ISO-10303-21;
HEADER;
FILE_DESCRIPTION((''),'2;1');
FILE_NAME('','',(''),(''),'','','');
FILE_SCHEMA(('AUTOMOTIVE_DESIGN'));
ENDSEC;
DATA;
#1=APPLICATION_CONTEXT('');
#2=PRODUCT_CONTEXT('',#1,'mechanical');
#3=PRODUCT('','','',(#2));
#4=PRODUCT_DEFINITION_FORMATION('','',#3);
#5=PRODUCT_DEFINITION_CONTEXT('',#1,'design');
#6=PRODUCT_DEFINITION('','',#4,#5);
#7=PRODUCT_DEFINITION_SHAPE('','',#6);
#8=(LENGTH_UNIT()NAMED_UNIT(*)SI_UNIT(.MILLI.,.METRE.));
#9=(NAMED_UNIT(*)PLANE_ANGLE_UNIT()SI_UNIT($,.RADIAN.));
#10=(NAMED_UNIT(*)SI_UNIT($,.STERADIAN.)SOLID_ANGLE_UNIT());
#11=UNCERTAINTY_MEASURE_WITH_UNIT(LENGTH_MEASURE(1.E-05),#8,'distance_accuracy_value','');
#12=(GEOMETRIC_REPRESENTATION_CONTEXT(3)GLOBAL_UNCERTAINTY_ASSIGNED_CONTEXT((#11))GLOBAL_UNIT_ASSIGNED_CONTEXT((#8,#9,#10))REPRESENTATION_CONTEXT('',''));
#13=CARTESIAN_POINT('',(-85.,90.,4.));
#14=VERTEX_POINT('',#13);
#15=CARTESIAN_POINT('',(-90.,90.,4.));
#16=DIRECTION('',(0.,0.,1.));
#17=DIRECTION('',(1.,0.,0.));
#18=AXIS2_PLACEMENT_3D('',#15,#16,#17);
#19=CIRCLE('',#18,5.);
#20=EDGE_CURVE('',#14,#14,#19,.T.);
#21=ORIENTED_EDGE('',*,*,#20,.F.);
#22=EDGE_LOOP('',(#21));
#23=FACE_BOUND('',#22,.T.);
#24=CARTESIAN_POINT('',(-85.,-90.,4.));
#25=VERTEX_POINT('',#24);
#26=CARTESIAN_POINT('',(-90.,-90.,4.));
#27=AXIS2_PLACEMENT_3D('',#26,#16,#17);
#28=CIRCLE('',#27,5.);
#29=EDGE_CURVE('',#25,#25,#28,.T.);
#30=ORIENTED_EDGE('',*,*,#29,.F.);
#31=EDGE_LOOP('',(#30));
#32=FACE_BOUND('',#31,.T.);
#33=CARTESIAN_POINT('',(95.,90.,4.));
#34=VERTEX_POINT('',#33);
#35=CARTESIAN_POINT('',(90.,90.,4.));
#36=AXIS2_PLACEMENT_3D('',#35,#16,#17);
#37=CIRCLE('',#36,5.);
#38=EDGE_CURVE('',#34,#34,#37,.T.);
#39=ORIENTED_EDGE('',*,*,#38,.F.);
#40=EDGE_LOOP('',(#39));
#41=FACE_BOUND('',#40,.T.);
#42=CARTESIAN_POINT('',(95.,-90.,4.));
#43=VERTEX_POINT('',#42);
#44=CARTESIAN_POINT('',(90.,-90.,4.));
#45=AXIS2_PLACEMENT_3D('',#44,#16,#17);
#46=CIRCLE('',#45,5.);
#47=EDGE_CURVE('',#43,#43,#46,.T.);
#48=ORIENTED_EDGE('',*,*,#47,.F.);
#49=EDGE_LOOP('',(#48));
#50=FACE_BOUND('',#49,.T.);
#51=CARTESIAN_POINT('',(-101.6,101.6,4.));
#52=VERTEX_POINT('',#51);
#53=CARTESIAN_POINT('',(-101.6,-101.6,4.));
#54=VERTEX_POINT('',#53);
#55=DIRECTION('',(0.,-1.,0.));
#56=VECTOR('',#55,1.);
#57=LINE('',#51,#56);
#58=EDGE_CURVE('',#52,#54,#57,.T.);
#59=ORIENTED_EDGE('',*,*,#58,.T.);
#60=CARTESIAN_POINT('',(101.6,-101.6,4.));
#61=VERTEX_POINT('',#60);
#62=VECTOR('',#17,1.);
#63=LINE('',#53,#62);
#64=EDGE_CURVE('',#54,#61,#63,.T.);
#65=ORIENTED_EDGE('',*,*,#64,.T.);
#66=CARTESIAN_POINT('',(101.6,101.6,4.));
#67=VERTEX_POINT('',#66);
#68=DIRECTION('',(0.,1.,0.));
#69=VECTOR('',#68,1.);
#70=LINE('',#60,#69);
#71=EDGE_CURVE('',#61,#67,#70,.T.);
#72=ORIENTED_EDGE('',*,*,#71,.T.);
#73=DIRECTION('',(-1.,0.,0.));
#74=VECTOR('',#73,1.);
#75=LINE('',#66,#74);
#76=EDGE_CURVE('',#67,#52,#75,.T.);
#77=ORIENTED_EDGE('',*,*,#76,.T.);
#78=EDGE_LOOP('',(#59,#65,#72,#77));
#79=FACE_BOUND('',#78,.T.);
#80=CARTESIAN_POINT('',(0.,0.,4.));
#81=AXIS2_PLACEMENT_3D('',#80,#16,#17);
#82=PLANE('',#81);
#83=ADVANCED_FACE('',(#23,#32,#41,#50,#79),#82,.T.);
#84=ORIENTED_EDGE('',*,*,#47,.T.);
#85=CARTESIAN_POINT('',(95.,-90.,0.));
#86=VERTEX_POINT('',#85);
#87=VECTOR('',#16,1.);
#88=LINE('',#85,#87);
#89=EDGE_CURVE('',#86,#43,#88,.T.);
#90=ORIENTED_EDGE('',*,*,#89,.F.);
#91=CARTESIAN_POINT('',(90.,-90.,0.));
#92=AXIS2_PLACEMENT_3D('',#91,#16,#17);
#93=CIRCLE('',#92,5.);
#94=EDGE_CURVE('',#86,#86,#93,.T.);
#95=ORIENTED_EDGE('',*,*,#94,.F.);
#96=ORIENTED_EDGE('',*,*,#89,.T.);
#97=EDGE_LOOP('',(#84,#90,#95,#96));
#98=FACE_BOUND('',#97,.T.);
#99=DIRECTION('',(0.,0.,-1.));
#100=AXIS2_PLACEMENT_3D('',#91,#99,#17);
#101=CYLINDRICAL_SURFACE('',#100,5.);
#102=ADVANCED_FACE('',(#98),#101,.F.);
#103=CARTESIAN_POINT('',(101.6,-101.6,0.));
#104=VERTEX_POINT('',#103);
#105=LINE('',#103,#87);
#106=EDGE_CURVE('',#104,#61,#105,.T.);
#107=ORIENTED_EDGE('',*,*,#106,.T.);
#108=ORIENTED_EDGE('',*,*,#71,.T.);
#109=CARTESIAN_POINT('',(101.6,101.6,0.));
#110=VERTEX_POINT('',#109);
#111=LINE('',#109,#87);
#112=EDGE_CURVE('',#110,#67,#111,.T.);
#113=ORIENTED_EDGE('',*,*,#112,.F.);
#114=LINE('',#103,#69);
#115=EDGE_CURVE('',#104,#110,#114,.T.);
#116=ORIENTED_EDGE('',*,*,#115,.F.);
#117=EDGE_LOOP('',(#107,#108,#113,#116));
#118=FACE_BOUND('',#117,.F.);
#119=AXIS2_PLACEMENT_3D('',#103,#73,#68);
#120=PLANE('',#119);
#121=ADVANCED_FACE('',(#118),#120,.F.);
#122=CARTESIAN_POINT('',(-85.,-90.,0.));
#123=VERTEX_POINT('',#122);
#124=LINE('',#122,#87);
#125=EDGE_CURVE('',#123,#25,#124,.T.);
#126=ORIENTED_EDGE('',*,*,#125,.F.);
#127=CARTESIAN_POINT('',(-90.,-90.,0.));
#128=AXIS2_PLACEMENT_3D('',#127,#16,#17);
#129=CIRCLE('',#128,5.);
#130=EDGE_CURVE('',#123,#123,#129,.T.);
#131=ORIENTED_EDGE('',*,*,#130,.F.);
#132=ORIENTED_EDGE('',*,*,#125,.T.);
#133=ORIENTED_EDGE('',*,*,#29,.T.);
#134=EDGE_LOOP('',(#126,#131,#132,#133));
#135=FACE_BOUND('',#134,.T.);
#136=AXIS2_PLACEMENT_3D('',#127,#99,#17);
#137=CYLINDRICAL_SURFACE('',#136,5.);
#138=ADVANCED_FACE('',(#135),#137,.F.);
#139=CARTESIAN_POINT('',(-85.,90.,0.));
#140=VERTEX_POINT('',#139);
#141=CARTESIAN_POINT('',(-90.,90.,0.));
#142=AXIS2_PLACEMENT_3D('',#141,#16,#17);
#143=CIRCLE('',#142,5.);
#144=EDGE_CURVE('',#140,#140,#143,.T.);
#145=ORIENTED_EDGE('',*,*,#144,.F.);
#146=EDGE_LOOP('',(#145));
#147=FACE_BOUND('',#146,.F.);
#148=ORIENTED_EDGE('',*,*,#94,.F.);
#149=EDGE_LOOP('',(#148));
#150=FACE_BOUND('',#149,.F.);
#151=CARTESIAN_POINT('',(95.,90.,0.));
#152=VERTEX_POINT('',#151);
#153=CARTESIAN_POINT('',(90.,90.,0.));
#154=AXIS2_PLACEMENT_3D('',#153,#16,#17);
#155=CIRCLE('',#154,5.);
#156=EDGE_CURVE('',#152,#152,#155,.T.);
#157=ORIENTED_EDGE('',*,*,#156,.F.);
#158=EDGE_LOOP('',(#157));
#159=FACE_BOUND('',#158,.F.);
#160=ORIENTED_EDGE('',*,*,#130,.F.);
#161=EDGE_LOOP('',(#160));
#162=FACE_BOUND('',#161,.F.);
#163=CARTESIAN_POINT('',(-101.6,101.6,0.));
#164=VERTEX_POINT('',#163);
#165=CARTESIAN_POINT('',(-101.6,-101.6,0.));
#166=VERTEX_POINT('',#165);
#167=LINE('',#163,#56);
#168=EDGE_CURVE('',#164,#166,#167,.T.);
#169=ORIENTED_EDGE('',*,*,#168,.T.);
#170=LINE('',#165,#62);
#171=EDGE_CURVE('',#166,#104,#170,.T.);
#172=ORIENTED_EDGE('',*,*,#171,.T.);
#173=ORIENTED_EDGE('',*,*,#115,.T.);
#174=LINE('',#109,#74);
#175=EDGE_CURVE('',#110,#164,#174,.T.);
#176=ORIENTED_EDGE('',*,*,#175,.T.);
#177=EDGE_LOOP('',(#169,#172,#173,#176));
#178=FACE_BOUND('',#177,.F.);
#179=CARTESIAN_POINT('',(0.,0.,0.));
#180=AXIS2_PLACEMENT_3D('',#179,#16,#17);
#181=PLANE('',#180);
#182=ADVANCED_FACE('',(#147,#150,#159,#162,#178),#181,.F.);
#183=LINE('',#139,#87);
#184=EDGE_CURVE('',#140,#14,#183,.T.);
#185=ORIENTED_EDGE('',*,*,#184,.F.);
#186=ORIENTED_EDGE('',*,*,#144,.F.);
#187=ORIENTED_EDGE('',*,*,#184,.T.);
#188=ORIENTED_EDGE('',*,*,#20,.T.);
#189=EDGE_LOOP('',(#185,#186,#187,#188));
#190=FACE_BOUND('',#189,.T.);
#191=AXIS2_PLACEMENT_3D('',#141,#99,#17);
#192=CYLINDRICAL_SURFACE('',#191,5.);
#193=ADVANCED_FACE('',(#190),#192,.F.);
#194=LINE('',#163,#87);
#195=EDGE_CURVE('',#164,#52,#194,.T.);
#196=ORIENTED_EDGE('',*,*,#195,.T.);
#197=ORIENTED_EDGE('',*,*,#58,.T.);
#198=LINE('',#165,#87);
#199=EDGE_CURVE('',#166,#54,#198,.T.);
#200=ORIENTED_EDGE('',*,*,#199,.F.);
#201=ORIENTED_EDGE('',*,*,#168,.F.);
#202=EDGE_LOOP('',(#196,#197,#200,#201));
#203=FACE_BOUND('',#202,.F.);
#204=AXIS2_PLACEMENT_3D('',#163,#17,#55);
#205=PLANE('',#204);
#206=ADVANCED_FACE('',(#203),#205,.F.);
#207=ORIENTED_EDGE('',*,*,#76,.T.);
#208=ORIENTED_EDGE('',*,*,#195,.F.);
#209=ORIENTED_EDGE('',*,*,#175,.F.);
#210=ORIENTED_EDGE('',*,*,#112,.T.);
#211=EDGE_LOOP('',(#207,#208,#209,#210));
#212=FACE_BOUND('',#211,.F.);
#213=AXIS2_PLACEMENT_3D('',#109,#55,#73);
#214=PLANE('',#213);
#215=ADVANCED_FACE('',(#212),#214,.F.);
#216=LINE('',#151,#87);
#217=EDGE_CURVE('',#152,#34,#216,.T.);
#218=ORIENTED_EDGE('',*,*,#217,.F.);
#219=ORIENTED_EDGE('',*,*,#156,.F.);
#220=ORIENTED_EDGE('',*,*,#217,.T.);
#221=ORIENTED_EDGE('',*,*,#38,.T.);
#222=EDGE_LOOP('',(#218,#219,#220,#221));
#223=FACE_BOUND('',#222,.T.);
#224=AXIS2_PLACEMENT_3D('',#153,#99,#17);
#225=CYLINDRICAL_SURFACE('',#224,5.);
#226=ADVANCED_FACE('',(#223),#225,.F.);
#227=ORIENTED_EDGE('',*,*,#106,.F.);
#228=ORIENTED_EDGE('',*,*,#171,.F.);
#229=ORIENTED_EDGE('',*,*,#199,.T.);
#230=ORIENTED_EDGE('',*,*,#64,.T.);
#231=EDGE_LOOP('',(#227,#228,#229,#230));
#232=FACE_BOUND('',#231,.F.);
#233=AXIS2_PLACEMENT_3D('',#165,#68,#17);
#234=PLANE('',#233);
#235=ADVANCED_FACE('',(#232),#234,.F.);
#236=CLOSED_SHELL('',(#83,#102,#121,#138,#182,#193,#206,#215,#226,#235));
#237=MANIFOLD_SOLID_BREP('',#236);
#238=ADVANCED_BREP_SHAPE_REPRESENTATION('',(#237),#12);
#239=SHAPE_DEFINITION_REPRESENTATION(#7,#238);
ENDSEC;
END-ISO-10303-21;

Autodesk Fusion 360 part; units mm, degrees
sketch "Sketch1" plane through (0, 0, 0) normal (0, 0, 1) x (1, 0, 0)
  line L0 (101.6, 101.6) -> (-101.6, 101.6)
  line L1 (-101.6, 101.6) -> (-101.6, -101.6)
  line L2 (-101.6, -101.6) -> (101.6, -101.6)
  line L3 (101.6, -101.6) -> (101.6, 101.6)
  line L4 (101.6, 101.6) -> (-101.6, -101.6) construction
  line L5 (-101.6, 101.6) -> (101.6, -101.6) construction
  circle A0 centre (-90, 90) radius 5
  line L6 (0, 0) -> (0, 101.6) construction
  line L7 (0, 0) -> (100, 0) construction
  circle A1 centre (90, 90) radius 5
  circle A2 centre (-90, -90) radius 5
  circle A3 centre (90, -90) radius 5
  dimension "d1" = 203.2
  dimension "d2" = 203.2
  dimension "d3" = 11.6
extrude "Extrude1" add sketch "Sketch1" along normal blind 4
